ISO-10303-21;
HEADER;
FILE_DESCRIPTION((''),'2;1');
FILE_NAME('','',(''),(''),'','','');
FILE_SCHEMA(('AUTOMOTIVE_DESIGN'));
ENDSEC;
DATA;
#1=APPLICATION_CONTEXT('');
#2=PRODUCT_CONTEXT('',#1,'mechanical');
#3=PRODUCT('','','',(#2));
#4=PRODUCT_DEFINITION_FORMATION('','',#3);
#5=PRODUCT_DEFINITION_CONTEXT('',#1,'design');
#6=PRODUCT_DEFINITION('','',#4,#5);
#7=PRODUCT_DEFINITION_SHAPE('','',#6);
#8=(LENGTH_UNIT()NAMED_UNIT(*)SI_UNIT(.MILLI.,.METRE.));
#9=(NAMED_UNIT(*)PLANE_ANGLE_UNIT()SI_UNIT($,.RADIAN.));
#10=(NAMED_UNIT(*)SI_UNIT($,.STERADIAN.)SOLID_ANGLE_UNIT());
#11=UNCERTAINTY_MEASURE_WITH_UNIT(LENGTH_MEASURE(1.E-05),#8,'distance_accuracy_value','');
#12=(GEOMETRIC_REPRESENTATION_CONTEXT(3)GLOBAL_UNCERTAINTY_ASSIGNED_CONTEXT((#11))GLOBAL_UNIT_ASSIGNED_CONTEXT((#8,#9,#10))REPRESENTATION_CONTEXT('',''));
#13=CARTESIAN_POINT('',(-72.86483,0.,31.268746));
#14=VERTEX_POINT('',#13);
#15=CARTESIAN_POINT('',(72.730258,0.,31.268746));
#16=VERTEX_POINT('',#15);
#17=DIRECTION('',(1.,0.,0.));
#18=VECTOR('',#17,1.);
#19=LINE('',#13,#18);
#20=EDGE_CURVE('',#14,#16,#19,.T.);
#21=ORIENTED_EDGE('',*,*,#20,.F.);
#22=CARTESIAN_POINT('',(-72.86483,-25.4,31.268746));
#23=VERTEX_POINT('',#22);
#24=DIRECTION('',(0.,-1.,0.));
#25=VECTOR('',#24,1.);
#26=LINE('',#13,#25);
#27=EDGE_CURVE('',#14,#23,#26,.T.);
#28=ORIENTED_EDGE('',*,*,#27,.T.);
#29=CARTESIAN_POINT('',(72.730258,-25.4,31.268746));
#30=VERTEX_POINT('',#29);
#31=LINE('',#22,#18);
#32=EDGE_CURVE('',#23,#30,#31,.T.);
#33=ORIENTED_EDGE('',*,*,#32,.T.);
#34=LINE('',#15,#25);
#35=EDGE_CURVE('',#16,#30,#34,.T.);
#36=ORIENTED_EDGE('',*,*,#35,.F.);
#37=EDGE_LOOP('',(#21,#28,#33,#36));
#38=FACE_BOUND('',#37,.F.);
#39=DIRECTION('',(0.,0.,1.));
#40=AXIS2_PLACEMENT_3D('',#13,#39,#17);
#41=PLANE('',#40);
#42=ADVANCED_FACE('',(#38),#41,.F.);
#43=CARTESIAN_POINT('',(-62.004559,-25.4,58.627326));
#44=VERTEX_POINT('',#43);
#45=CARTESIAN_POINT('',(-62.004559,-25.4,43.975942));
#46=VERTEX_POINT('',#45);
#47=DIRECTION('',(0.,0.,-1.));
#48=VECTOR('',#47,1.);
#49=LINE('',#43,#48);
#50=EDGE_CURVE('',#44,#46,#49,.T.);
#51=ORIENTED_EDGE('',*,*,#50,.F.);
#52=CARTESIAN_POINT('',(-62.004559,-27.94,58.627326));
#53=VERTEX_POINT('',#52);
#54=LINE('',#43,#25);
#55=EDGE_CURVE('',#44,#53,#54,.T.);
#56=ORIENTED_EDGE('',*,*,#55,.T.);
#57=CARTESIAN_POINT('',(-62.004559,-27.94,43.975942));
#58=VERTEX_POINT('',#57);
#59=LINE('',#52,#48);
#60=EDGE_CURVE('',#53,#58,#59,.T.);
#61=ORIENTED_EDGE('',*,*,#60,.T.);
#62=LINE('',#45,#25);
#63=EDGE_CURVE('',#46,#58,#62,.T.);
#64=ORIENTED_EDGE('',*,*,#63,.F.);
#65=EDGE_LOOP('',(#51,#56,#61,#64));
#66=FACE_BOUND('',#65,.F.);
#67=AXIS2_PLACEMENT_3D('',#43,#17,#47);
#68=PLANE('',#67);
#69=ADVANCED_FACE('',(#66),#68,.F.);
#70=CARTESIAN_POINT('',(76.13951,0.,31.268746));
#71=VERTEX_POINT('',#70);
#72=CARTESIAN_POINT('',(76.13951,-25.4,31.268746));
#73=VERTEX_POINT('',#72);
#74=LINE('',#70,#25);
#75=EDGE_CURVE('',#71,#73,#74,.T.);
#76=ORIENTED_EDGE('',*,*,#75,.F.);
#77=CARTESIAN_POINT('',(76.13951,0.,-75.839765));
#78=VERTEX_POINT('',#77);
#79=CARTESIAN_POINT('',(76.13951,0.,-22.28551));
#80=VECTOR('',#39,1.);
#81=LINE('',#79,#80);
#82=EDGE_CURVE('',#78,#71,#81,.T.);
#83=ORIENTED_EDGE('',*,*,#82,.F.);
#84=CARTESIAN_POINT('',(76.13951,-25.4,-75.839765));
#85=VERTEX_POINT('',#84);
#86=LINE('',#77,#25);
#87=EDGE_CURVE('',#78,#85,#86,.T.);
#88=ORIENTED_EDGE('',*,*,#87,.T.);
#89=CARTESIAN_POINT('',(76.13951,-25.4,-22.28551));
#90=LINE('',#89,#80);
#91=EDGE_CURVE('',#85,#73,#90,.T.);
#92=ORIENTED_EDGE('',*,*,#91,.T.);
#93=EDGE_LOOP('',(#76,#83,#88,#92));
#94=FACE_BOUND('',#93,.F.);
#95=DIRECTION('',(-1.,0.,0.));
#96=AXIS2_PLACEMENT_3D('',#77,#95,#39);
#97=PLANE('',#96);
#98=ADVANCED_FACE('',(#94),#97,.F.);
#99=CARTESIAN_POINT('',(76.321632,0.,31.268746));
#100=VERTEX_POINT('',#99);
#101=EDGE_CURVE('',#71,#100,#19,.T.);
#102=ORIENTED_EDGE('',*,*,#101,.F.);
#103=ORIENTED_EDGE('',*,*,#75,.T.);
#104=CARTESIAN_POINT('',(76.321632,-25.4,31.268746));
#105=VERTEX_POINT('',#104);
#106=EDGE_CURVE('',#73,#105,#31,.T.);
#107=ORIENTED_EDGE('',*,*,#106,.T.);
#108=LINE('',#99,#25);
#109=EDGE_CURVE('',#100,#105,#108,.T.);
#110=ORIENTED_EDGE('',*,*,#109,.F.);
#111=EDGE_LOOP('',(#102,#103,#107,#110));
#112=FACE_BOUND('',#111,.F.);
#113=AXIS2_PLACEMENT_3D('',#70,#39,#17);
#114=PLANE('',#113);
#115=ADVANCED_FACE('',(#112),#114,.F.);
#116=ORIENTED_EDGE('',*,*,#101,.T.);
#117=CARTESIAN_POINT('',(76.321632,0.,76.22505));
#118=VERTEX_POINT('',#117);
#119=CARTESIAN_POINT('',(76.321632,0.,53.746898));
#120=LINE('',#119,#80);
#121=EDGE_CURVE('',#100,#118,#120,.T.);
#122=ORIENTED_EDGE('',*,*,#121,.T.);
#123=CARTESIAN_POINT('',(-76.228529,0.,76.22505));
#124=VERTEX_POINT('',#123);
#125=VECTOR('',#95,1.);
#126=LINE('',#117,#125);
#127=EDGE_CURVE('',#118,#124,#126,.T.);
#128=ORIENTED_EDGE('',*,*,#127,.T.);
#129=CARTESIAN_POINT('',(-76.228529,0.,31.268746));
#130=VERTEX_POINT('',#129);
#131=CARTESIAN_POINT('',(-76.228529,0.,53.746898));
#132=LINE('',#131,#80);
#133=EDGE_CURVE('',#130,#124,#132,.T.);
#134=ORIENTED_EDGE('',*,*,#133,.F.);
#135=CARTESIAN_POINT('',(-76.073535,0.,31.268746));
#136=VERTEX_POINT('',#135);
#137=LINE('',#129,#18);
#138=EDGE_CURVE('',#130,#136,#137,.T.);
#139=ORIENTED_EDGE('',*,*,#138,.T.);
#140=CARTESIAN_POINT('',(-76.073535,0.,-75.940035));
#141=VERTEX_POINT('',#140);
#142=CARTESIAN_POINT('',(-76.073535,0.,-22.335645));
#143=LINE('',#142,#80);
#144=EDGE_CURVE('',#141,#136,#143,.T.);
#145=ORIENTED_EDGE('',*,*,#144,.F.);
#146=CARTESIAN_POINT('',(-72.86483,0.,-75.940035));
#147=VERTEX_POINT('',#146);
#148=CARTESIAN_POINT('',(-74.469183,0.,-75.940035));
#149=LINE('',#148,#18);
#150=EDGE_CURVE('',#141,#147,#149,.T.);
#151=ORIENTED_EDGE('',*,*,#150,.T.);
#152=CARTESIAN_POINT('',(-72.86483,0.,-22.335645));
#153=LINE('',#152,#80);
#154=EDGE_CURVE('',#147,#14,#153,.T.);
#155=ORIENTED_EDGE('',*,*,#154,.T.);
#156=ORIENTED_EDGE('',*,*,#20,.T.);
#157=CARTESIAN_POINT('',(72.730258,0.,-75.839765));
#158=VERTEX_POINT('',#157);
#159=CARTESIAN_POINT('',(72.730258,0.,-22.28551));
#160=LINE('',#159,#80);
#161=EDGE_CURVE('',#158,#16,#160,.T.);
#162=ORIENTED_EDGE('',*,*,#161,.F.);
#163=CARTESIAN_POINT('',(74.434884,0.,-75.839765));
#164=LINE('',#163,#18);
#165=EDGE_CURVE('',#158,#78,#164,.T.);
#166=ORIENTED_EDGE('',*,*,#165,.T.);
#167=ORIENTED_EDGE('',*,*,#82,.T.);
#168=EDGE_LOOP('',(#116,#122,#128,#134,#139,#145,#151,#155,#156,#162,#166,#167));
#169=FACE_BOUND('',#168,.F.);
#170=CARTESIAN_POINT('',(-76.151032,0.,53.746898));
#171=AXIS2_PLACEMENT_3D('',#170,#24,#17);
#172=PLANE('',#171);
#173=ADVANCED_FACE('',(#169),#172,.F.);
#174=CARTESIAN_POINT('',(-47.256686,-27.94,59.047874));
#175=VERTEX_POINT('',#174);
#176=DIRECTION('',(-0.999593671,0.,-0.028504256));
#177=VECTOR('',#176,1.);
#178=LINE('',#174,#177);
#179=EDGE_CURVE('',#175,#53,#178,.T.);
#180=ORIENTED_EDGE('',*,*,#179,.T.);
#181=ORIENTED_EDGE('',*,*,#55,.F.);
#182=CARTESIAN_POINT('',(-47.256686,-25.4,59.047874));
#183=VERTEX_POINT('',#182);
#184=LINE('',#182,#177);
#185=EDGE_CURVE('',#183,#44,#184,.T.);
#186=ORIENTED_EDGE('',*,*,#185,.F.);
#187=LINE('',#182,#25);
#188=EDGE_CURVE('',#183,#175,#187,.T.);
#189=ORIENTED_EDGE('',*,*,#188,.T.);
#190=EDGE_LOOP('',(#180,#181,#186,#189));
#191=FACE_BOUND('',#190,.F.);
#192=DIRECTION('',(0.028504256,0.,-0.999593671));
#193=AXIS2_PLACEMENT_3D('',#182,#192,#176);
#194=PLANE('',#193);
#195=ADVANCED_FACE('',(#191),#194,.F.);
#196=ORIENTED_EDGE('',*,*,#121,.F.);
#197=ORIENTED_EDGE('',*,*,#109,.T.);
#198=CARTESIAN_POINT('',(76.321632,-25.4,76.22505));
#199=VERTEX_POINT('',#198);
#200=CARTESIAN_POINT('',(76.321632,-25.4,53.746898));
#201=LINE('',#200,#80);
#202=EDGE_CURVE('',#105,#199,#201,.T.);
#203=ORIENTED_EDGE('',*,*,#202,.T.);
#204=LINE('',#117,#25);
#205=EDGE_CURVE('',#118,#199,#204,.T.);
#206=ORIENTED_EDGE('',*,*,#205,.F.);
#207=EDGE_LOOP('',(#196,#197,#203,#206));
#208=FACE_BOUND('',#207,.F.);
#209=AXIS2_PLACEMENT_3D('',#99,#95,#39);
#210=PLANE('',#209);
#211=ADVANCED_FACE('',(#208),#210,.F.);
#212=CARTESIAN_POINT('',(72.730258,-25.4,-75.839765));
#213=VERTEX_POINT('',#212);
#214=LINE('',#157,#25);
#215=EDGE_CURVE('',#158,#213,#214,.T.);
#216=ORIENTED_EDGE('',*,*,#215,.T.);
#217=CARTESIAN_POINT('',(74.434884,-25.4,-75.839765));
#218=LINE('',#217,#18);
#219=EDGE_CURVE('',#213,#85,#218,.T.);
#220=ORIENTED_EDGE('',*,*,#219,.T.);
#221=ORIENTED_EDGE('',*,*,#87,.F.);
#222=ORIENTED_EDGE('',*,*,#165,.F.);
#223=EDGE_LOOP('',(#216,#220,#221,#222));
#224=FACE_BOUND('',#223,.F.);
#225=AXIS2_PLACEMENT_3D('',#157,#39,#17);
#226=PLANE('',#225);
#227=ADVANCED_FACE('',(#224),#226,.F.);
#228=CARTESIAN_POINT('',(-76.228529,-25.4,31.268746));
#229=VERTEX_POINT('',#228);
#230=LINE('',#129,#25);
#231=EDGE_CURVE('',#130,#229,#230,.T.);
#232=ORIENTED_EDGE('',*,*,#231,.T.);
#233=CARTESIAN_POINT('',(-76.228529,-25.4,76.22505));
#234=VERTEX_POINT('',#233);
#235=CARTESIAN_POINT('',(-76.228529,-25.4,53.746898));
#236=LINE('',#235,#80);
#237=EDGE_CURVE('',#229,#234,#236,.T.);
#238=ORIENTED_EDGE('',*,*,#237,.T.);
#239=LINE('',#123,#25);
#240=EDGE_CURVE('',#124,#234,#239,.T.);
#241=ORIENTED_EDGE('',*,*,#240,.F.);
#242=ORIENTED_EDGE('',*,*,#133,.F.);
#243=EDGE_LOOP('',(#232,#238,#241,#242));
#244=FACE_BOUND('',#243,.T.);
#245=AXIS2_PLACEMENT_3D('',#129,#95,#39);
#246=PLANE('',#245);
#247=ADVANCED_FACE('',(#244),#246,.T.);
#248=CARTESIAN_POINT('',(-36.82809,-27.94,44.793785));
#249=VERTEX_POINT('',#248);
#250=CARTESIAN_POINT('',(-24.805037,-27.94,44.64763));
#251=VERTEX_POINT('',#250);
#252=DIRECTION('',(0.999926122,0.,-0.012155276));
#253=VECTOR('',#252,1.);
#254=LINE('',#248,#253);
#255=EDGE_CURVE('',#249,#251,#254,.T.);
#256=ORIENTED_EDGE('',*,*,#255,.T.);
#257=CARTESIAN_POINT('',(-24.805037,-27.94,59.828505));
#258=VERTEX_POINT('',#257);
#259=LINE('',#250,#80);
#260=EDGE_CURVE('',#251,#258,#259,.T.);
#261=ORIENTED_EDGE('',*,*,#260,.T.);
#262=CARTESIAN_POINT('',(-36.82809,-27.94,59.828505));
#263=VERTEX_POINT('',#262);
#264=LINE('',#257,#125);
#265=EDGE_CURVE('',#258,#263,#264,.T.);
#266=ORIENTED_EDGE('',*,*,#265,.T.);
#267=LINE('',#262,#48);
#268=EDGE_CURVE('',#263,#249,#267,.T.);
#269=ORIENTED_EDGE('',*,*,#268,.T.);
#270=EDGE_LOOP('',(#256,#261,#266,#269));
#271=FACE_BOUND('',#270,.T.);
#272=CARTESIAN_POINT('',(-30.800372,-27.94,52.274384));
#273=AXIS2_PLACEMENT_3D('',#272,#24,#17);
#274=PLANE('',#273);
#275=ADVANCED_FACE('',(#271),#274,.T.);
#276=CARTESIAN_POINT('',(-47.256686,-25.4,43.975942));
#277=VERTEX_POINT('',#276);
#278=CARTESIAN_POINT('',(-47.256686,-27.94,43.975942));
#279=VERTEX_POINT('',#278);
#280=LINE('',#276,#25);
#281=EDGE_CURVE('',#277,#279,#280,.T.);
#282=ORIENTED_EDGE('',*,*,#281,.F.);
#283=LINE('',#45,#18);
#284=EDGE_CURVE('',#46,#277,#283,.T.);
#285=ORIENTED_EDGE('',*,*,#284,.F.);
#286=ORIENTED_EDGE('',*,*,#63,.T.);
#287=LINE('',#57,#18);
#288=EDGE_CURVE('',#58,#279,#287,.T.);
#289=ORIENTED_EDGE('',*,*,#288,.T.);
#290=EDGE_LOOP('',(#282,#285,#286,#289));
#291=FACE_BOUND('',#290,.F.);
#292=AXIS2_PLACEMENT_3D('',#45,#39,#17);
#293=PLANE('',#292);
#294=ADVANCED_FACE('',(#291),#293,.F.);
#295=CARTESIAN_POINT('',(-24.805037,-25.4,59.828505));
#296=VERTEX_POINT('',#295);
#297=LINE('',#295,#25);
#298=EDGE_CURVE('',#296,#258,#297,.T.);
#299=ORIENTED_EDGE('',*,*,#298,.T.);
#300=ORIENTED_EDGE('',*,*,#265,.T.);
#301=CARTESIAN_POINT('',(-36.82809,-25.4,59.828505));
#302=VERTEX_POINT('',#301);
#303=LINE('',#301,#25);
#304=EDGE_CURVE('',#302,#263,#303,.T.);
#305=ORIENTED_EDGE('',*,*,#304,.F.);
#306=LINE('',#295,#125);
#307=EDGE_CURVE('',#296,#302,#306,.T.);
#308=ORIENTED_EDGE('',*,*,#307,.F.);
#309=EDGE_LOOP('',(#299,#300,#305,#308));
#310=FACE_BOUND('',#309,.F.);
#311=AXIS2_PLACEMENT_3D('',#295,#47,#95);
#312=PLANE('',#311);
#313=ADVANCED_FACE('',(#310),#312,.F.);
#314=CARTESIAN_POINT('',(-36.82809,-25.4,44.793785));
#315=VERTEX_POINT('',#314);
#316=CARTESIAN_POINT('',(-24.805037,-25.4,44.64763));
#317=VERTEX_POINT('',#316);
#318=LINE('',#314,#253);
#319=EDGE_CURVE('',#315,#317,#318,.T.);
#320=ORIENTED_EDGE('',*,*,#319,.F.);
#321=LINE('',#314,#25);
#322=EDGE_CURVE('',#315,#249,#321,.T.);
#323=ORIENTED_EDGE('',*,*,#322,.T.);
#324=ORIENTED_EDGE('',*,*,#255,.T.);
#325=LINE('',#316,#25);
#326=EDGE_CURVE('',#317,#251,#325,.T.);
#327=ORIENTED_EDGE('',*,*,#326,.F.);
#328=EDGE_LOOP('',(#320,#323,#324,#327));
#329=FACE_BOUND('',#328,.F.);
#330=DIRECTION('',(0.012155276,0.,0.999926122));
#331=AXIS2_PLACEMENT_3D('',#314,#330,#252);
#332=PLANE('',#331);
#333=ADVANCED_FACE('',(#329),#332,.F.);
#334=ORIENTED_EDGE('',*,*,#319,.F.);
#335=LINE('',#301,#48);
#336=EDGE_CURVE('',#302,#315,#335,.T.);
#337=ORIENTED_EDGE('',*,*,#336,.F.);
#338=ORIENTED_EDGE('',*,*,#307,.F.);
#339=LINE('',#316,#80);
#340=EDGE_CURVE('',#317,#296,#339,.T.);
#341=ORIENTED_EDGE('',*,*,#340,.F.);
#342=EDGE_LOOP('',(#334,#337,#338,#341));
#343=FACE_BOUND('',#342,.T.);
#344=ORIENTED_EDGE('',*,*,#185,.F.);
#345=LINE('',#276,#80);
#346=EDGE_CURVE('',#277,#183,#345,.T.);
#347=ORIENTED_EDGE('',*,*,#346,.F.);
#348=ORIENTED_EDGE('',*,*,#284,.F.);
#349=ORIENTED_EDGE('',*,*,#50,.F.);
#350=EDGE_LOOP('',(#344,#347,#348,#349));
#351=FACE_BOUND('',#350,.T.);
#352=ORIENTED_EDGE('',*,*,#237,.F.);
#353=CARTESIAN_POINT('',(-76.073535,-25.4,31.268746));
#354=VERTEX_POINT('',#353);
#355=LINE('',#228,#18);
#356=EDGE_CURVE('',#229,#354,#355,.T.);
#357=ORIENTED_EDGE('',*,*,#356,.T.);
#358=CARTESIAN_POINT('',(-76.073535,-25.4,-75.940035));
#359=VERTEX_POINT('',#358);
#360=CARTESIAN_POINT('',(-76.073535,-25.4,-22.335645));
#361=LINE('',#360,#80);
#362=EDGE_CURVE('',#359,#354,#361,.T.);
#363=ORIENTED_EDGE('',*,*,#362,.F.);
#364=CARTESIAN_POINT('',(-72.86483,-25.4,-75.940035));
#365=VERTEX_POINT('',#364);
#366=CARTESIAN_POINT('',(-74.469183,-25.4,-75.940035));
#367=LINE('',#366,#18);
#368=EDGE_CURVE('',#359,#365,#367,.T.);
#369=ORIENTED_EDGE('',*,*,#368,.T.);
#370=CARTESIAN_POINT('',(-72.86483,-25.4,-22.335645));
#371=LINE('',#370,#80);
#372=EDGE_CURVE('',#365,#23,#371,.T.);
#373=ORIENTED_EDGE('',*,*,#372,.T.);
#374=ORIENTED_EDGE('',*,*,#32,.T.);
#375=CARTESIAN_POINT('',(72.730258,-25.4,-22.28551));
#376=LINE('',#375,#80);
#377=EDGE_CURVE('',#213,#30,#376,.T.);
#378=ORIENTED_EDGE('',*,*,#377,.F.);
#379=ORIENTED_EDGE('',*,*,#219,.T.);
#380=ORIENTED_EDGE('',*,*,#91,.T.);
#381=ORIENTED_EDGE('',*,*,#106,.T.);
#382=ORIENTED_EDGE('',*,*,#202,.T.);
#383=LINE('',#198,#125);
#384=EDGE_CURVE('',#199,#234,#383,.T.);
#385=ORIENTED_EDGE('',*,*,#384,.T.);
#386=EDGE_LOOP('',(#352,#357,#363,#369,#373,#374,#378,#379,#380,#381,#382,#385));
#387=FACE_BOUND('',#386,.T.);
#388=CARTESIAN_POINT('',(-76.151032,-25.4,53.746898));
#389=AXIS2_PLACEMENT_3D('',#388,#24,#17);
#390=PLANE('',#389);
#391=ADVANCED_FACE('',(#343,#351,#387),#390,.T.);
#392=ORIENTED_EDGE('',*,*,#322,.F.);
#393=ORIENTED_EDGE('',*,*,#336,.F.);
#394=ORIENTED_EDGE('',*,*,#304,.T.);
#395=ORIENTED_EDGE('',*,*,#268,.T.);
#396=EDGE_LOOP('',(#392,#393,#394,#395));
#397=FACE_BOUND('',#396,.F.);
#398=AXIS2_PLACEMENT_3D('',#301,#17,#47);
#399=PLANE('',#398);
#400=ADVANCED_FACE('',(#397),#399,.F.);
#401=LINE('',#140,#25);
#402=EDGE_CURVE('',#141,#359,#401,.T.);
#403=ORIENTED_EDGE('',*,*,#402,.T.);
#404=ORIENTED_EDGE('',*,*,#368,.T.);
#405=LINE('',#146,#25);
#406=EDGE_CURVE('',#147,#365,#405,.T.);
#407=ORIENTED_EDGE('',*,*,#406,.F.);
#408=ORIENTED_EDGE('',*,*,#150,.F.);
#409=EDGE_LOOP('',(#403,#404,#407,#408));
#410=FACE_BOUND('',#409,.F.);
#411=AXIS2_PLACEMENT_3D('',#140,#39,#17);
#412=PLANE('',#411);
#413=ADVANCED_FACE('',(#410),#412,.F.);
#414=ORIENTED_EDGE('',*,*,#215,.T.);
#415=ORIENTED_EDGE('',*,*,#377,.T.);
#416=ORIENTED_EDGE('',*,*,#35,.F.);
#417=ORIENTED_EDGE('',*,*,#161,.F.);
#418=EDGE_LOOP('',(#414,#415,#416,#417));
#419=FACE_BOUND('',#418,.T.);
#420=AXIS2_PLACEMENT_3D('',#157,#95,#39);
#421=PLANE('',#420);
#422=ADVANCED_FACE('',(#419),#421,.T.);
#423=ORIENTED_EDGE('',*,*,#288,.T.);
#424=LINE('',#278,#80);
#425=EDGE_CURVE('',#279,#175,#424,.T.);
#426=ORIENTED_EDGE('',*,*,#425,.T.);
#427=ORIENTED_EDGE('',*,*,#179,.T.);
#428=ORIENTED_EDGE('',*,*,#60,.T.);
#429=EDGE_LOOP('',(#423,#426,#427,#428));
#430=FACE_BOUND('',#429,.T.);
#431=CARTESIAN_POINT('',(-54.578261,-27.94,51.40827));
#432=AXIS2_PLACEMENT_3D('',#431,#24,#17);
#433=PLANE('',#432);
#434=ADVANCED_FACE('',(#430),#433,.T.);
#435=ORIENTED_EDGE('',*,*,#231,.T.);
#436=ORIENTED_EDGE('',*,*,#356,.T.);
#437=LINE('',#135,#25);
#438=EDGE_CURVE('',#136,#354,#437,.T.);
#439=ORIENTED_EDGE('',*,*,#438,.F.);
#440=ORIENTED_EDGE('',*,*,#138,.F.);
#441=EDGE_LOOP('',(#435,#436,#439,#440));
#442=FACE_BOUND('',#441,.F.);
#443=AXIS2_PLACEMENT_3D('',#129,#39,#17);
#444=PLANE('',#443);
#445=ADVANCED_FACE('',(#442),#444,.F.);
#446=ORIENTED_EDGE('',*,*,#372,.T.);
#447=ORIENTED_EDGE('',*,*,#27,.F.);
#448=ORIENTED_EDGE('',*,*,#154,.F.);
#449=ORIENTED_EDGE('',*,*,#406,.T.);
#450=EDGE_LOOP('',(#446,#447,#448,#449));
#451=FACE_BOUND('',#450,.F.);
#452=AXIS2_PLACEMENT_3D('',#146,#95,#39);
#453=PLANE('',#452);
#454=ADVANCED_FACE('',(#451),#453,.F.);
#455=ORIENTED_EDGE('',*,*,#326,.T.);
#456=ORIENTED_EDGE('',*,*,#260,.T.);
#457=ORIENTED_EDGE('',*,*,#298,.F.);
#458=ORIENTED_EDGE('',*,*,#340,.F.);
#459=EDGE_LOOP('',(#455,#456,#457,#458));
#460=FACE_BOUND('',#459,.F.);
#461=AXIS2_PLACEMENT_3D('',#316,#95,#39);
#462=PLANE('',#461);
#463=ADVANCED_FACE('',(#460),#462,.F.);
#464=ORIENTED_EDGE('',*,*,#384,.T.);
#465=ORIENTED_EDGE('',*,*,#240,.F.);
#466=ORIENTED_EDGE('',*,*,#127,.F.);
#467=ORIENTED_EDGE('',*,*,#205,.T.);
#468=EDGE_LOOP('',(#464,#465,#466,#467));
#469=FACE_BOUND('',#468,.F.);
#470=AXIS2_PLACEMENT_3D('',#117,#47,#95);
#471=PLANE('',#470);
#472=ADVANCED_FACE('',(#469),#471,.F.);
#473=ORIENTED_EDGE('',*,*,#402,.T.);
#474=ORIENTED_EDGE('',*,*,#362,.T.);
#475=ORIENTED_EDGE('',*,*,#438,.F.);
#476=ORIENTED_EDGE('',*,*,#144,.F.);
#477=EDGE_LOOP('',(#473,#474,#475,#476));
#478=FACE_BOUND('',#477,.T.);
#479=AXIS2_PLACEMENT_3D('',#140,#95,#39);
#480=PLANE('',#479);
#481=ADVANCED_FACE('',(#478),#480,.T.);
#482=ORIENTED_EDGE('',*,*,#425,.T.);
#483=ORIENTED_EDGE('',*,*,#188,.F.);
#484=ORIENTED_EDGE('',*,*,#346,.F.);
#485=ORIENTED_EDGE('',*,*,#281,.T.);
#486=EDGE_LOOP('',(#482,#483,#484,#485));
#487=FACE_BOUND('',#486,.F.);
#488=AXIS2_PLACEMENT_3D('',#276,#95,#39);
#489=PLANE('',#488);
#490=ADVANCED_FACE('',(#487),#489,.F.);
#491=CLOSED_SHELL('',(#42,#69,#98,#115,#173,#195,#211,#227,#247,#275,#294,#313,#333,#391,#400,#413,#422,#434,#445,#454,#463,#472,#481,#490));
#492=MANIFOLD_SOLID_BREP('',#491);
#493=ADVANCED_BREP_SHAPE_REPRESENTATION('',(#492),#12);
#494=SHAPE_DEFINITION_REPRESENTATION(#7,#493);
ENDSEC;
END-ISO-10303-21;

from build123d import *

# Parameters (mm, degrees)
F0_W     = 0.1549944282
F0_H     = 44.9563041329
F0_W_2   = 3.2087042928
F0_W_3   = 145.5950886011
F0_H_2   = 107.2087809443
F0_W_4   = 3.4092515707
F0_W_5   = 0.1821219921
F0_H_3   = 107.1085110307
F1_DEPTH = 25.4
F3_DEPTH = 2.54


with BuildPart() as f1:
    # F0 (on Front) → F1 (new body)
    with BuildSketch(Plane.XZ):
        with Locations((-76.1510320008, 53.7468977273)):
            Rectangle(F0_W, F0_H)
        with Locations((-74.4691826403, 53.7468977273)):
            Rectangle(F0_W_2, F0_H)
        with Locations((-0.0672861934, 53.7468977273)):
            Rectangle(F0_W_3, F0_H)
        with Locations((-74.4691826403, -22.3356448114)):
            Rectangle(F0_W_2, F0_H_2)
        with Locations((74.4348838925, 53.7468977273)):
            Rectangle(F0_W_4, F0_H)
        with Locations((76.2305706739, 53.7468977273)):
            Rectangle(F0_W_5, F0_H)
        with Locations((74.4348838925, -22.2855098546)):
            Rectangle(F0_W_4, F0_H_3)
    extrude(amount=F1_DEPTH)

    # F2 (on face) → F3 (join)
    with BuildSketch(Plane.XZ.offset(25.4)):
        Polygon((-36.8280895054, 59.82850492), (-36.8280895054, 44.7937846184), (-24.8050373048, 44.6476303041), (-24.8050373048, 59.82850492), align=None)
        Polygon((-47.2566857934, 59.0478740633), (-62.004558742, 58.6273260415), (-62.004558742, 43.9759418368), (-47.2566857934, 43.9759418368), align=None)
    extrude(amount=F3_DEPTH)


solid = f1.part
